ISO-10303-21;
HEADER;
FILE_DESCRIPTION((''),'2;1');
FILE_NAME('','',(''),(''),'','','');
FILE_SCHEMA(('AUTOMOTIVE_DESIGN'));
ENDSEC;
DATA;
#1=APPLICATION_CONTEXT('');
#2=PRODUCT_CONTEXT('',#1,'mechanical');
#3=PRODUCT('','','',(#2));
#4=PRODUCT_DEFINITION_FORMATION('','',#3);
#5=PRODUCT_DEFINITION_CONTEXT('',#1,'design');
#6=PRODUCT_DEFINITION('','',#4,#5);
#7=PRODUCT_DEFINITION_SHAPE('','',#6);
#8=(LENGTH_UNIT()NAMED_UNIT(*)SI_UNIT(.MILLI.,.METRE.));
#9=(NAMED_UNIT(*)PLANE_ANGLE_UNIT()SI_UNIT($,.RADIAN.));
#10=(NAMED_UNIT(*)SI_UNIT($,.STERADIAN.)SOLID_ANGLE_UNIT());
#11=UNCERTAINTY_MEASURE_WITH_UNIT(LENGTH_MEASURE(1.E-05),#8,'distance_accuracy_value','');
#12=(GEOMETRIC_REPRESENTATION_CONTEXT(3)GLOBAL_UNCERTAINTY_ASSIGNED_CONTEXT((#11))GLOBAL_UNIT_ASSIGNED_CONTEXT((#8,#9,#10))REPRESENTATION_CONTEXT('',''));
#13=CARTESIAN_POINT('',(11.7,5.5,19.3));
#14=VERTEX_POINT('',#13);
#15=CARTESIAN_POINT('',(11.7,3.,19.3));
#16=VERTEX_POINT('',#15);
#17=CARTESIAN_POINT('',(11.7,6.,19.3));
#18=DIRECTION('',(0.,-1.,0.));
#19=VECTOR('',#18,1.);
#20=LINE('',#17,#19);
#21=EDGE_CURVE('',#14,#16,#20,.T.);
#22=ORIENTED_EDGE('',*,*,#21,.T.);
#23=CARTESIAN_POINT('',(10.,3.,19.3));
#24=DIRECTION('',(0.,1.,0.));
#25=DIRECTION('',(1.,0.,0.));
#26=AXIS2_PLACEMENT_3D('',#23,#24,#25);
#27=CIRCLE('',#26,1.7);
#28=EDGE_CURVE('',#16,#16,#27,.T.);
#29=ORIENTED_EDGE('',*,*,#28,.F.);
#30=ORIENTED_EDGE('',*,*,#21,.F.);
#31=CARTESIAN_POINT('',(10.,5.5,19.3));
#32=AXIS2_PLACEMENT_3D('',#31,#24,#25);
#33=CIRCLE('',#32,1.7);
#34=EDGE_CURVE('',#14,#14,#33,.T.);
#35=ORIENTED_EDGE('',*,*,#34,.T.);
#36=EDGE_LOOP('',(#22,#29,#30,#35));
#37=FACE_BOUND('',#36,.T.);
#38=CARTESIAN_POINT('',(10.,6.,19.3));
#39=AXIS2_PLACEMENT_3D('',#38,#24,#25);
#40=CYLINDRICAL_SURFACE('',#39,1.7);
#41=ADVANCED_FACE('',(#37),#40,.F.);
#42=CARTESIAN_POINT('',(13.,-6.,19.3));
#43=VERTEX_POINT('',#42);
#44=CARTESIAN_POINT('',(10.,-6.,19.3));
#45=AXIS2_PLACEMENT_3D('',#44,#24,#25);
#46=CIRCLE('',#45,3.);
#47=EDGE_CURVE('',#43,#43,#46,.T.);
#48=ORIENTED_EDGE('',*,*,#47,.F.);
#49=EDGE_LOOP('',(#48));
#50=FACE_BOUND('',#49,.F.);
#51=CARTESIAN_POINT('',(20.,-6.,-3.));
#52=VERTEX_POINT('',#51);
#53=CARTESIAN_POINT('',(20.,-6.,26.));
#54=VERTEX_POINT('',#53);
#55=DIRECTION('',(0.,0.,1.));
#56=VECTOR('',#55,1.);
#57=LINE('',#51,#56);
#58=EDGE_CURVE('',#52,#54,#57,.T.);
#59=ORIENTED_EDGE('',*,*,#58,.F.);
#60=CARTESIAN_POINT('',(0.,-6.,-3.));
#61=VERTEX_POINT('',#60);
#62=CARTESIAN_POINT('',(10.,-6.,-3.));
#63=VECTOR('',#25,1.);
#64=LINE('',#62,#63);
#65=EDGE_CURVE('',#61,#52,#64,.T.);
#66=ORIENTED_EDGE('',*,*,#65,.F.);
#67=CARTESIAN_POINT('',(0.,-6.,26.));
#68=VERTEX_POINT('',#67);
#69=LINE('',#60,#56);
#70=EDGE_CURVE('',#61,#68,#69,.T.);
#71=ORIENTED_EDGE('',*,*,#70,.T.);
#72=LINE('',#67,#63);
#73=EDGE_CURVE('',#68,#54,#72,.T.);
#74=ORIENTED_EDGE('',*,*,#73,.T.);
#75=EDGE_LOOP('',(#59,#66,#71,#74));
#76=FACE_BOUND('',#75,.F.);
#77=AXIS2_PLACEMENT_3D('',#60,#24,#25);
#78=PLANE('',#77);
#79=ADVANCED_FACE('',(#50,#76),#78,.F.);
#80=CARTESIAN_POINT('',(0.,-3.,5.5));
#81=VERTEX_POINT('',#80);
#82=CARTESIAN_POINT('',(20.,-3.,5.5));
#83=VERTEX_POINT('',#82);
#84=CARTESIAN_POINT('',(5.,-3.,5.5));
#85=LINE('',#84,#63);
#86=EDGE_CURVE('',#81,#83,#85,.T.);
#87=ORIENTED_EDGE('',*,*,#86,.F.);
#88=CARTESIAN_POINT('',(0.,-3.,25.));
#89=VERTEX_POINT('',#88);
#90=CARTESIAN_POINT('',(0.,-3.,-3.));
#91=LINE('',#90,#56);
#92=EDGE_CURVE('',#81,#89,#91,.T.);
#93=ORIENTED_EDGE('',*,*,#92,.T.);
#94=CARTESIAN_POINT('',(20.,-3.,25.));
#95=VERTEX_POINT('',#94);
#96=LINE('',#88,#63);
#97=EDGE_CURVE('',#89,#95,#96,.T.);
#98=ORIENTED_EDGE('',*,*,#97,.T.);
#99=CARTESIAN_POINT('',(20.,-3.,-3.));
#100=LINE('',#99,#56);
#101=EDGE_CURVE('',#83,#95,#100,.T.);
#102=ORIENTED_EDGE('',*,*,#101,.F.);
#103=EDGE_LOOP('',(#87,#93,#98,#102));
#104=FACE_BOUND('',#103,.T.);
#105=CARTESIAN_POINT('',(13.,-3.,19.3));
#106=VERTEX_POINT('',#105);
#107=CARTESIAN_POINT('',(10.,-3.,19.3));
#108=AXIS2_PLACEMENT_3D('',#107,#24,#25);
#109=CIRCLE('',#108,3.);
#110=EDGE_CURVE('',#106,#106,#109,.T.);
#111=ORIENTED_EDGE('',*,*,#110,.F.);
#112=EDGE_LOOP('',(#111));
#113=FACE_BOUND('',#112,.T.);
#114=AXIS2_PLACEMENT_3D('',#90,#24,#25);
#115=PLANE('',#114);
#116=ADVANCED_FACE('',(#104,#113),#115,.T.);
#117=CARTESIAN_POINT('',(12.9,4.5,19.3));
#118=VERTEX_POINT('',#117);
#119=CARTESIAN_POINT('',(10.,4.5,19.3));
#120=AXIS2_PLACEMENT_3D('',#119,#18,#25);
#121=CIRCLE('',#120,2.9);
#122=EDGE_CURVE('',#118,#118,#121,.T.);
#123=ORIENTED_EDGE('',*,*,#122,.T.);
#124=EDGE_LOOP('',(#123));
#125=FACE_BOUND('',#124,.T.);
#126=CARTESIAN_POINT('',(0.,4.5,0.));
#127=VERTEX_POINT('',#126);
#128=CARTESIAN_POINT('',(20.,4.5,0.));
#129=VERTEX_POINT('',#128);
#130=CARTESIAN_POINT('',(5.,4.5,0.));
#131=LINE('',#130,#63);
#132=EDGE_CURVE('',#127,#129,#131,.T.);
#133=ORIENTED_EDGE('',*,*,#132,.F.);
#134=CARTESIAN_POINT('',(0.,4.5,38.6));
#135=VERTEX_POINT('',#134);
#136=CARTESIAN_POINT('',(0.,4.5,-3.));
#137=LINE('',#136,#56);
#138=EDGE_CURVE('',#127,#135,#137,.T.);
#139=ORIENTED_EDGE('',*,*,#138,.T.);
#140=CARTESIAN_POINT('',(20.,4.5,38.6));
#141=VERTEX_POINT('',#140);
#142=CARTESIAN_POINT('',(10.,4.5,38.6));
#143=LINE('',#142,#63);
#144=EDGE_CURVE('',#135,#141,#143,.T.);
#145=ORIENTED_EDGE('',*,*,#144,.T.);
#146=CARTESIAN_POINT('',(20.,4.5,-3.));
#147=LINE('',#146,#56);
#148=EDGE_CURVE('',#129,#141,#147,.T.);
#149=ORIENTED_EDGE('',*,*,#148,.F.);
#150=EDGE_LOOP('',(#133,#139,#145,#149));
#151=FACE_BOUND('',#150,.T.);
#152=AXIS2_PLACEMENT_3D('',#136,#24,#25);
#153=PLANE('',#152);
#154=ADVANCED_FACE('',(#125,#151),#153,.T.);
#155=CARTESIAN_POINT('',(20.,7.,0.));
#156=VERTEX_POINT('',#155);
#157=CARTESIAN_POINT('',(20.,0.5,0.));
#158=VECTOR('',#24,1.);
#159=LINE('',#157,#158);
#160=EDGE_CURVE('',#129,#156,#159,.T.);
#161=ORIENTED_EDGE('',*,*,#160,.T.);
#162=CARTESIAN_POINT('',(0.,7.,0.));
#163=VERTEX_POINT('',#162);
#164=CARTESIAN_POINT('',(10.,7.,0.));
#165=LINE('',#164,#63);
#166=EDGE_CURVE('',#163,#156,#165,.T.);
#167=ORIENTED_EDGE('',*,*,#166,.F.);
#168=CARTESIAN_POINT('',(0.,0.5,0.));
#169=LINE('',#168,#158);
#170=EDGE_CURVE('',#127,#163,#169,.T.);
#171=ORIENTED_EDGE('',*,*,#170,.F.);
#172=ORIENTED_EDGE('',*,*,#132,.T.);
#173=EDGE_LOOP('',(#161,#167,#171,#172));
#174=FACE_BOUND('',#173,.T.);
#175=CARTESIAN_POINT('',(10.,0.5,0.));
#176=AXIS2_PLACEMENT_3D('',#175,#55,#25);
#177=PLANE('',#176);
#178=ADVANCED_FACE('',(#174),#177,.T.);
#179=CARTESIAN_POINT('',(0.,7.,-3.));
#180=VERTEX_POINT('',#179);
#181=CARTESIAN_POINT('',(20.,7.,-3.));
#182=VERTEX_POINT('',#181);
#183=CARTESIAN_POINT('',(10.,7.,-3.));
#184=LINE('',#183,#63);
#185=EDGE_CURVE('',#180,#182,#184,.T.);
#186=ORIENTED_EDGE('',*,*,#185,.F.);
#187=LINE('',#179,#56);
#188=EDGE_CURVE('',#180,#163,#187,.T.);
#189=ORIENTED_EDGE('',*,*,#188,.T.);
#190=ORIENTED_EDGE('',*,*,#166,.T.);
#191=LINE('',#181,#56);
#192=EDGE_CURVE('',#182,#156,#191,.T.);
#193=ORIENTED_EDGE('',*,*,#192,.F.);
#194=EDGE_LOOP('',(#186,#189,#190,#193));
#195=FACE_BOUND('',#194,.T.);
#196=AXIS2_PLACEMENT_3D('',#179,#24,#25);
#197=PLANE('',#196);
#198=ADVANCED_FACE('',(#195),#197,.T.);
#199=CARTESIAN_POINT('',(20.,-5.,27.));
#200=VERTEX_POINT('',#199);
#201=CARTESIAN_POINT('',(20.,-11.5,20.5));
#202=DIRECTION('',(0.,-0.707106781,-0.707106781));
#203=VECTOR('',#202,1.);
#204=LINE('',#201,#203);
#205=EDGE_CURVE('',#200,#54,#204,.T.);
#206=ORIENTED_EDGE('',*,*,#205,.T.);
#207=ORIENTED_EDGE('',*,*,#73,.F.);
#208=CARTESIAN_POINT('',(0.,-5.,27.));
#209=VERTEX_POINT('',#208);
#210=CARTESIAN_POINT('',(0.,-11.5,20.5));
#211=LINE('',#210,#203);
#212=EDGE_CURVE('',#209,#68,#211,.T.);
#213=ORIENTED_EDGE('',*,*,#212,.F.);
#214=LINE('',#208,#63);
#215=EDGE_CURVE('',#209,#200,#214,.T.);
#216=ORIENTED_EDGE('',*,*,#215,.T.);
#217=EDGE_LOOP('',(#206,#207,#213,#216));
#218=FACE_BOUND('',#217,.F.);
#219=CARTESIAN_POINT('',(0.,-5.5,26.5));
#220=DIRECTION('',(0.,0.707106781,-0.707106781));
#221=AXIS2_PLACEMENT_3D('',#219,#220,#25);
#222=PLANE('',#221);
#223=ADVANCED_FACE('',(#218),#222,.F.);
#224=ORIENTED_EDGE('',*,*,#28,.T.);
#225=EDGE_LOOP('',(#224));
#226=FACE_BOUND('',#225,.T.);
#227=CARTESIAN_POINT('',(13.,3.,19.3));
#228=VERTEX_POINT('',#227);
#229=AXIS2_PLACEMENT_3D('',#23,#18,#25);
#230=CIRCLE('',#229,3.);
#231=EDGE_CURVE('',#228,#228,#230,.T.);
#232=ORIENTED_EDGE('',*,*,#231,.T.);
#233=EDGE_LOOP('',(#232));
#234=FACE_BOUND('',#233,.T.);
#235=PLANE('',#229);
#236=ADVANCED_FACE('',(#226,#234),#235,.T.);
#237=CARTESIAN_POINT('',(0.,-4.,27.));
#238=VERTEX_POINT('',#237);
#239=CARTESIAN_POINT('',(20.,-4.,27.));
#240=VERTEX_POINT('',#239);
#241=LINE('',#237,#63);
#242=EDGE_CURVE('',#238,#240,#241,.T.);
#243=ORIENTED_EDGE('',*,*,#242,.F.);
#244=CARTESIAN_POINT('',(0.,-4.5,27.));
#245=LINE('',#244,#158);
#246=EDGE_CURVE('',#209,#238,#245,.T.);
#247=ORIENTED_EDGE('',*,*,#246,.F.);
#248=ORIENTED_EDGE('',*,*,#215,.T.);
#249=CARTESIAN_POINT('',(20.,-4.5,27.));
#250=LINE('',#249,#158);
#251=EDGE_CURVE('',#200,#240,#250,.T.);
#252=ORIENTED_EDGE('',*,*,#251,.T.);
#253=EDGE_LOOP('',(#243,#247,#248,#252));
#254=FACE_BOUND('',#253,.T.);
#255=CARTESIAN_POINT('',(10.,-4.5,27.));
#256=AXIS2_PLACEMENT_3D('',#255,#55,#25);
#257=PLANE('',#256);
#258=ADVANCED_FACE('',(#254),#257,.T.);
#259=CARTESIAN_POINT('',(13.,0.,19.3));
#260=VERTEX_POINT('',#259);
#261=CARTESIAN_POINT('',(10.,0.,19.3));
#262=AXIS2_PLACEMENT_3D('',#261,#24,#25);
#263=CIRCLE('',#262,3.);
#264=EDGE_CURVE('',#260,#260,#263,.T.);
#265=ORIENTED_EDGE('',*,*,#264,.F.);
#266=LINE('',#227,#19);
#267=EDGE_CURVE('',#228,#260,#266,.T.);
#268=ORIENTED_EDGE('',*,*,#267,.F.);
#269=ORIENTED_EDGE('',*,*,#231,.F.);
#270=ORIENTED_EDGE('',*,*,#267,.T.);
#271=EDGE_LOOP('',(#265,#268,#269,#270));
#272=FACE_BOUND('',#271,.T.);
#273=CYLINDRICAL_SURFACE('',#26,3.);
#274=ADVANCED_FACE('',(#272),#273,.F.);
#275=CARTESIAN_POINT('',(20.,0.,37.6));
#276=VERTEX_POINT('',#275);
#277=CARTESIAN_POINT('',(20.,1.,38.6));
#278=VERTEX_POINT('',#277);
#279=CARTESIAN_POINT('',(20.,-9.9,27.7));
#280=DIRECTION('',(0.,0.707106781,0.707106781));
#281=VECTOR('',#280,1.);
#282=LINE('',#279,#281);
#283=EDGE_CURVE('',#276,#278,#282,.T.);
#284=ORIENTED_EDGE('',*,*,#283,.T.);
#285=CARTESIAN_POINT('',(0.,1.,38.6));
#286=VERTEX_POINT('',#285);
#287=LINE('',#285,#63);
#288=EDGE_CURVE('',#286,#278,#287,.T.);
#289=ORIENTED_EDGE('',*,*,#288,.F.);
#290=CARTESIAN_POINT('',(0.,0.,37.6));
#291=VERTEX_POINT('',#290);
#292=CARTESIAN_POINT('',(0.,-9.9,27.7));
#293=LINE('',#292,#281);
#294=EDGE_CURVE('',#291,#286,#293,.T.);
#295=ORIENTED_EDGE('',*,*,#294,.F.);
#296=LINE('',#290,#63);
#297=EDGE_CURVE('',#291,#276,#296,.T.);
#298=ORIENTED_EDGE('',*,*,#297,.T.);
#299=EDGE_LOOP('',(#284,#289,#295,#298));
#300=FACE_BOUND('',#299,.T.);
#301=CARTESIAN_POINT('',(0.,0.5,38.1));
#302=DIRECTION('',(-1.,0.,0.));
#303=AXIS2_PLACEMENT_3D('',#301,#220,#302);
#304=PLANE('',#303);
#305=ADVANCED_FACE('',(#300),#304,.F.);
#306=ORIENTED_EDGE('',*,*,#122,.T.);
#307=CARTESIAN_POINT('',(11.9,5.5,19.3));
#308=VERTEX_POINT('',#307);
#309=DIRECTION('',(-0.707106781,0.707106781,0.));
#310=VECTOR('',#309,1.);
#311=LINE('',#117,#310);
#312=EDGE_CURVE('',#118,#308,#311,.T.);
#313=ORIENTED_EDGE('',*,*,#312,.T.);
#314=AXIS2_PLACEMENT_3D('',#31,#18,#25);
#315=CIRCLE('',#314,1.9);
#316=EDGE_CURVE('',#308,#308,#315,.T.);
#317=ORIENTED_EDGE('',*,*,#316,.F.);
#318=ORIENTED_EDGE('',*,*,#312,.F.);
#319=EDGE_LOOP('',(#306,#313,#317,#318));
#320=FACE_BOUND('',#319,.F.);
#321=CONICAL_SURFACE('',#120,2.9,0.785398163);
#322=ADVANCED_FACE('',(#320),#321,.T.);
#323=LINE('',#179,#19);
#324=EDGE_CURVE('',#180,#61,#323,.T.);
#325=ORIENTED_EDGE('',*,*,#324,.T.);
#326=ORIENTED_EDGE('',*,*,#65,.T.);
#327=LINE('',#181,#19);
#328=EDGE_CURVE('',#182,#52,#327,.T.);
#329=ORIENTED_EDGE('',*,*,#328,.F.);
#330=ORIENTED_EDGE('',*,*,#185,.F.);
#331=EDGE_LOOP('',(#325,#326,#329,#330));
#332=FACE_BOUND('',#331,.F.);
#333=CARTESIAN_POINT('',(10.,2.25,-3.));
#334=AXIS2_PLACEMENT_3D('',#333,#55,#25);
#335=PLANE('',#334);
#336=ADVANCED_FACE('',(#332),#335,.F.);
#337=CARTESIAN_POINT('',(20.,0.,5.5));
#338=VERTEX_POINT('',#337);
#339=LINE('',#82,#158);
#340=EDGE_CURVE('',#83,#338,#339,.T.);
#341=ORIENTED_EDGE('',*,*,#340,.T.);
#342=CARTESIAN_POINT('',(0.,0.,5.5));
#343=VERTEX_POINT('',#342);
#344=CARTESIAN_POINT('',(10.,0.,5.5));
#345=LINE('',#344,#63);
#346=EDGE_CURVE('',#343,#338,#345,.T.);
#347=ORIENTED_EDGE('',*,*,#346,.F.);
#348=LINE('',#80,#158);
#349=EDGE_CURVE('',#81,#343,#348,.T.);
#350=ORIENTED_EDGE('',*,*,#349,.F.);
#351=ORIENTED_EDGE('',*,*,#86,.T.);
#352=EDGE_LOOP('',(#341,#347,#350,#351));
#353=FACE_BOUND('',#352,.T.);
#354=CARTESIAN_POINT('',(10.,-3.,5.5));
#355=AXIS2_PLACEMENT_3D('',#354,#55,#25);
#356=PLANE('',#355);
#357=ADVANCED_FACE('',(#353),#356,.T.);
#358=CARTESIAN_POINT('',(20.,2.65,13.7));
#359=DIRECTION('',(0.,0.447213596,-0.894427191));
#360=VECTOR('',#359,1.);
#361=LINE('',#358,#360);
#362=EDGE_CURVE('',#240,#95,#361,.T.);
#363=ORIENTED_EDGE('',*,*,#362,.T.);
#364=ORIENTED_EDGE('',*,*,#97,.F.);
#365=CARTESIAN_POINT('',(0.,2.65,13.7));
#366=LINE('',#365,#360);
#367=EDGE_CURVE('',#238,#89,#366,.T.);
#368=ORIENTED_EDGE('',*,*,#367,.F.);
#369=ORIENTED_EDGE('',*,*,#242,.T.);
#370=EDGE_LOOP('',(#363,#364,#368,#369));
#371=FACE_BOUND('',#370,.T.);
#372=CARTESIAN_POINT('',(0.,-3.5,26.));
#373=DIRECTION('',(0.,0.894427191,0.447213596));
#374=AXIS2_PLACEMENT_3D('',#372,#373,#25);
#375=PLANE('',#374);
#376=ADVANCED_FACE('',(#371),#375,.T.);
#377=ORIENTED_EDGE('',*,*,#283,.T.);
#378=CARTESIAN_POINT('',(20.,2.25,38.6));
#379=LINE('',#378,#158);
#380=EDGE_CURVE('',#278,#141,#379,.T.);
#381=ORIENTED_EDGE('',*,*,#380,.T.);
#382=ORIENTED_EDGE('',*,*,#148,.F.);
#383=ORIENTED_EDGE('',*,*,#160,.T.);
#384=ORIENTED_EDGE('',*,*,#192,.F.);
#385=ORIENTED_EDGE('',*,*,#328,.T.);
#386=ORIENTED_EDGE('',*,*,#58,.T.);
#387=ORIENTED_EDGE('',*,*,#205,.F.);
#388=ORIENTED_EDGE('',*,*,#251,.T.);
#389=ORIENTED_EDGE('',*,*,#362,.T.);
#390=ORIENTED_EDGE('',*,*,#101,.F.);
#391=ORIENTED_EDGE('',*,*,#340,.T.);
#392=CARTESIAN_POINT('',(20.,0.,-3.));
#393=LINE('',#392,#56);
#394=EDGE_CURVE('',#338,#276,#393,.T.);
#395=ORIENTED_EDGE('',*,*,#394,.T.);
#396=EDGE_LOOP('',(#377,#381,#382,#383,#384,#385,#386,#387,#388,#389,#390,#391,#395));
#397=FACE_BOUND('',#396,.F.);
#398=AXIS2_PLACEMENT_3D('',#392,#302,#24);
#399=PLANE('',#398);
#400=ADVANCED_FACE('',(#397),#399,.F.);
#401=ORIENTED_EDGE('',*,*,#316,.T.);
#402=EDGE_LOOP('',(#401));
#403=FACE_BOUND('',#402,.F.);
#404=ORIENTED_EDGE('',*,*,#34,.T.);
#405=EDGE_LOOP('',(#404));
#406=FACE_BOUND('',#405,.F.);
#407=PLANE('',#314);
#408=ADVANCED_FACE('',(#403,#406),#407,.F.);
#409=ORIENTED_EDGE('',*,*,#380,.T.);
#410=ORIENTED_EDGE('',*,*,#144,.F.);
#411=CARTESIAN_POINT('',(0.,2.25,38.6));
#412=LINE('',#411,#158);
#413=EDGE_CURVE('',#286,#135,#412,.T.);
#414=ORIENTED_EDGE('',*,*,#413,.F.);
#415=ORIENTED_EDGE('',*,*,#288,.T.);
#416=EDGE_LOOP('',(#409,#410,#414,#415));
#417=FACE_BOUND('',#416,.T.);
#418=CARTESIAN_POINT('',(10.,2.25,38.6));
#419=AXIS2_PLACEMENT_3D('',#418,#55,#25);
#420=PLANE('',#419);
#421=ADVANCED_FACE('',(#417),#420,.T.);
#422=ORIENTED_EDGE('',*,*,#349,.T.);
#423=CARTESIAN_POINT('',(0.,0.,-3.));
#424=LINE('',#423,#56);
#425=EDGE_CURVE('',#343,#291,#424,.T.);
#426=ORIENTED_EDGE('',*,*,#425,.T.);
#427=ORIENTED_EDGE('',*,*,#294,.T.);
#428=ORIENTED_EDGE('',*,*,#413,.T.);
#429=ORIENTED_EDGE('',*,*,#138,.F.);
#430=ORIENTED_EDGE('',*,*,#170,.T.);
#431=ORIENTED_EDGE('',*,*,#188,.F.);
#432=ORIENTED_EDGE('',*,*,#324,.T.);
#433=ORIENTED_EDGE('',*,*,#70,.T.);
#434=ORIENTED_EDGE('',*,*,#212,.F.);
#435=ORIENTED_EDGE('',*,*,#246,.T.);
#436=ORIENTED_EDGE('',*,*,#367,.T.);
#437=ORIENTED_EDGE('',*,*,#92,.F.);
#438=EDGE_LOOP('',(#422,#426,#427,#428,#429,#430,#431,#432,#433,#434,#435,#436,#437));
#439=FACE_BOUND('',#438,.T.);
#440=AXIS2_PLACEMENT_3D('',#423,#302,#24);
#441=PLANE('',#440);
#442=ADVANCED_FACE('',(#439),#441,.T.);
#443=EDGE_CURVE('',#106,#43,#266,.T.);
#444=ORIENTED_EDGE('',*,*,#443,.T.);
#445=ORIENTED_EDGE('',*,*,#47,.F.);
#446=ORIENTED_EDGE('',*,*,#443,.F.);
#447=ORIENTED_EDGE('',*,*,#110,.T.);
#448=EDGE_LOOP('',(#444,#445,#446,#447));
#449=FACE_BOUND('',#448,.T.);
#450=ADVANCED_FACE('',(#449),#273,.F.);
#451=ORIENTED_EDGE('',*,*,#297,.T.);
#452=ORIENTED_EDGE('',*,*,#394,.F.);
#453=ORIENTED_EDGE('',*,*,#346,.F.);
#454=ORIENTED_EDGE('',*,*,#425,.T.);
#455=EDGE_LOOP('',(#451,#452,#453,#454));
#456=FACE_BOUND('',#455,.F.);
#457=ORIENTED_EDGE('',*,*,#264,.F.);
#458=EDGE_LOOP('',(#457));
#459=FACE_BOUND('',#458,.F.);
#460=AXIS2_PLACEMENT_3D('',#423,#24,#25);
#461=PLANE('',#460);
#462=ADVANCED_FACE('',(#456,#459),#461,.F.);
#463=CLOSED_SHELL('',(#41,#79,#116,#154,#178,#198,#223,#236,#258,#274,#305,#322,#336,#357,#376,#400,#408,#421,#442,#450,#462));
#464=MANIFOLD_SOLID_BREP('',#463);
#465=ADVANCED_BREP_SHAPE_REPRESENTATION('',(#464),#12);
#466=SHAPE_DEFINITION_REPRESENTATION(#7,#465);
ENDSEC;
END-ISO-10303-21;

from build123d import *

# Parameters (mm, degrees)
CYLINDER009_R     = 3
CYLINDER009_DEPTH = 17
CYLINDER010_R     = 1.7
CYLINDER010_DEPTH = 17
CYLINDER011_R     = 2.9
CYLINDER011_DEPTH = 2
CHAMFER015_SIZE   = 1
BOX018_W          = 20
BOX018_H          = 6
BOX018_DEPTH      = 8.5
BOX017_W          = 20
BOX017_H          = 4.5
BOX017_DEPTH      = 41.6
BOX020_W          = 20
BOX020_H          = 13
BOX020_DEPTH      = 3
BOX019_W          = 20
BOX019_H          = 3
BOX019_DEPTH      = 30
CHAMFER016_SIZE2  = 2
CHAMFER016_SIZE   = 1
CHAMFER017_SIZE   = 1
CHAMFER018_SIZE   = 1


with BuildPart() as cylinder009:
    # Cylinder009 → Cylinder009 (new body)
    with BuildSketch(Plane(origin=(10, 3, 19.3), x_dir=(1, 0, 0), z_dir=(0, -1, 0))):
        Circle(CYLINDER009_R)
    extrude(amount=CYLINDER009_DEPTH)


with BuildPart() as cylinder010:
    # Cylinder010 → Cylinder010 (new body)
    with BuildSketch(Plane(origin=(10, 6, 19.3), x_dir=(1, 0, 0), z_dir=(0, -1, 0))):
        Circle(CYLINDER010_R)
    extrude(amount=CYLINDER010_DEPTH)


with BuildPart() as chamfer015:
    # Cylinder011 → Cylinder011 (new body)
    with BuildSketch(Plane(origin=(10, 5.5, 19.3), x_dir=(1, 0, 0), z_dir=(0, -1, 0))):
        Circle(CYLINDER011_R)
    extrude(amount=CYLINDER011_DEPTH)

    # Chamfer015
    chamfer015_edges = [chamfer015.edges().sort_by_distance(p)[0] for p in [
        (7.1, 5.5, 19.3),
    ]]
    chamfer(chamfer015_edges, length=CHAMFER015_SIZE)


with BuildPart() as cube018:
    # Box018 → Box018 (new body)
    with BuildSketch(Plane(origin=(0, -6, -3), x_dir=(1, 0, 0), z_dir=(0, 0, 1))):
        with Locations((10, 3)):
            Rectangle(BOX018_W, BOX018_H)
    extrude(amount=BOX018_DEPTH)


with BuildPart() as cube017:
    # Box017 → Box017 (new body)
    with BuildSketch(Plane.XY.offset(-3)):
        with Locations((10, 2.25)):
            Rectangle(BOX017_W, BOX017_H)
    extrude(amount=BOX017_DEPTH)


with BuildPart() as cube020:
    # Box020 → Box020 (new body)
    with BuildSketch(Plane(origin=(0, -6, -3), x_dir=(1, 0, 0), z_dir=(0, 0, 1))):
        with Locations((10, 6.5)):
            Rectangle(BOX020_W, BOX020_H)
    extrude(amount=BOX020_DEPTH)


with BuildPart() as clip_side_bottom_corner:
    # Box019 → Box019 (new body)
    with BuildSketch(Plane(origin=(0, -6, -3), x_dir=(1, 0, 0), z_dir=(0, 0, 1))):
        with Locations((10, 1.5)):
            Rectangle(BOX019_W, BOX019_H)
    extrude(amount=BOX019_DEPTH)

    # Fusion008: union Cube018, Cube017, Cube020
    add(cube018.part)
    add(cube017.part)
    add(cube020.part)

    # Chamfer016
    chamfer016_edges = [clip_side_bottom_corner.edges().sort_by_distance(p)[0] for p in [
        (10, -3, 27),
    ]]
    chamfer016_side = clip_side_bottom_corner.faces().sort_by_distance((10, -4.5, 27))[0]
    chamfer(chamfer016_edges, length=CHAMFER016_SIZE, length2=CHAMFER016_SIZE2, reference=chamfer016_side)

    # Chamfer017
    chamfer017_edges = [clip_side_bottom_corner.edges().sort_by_distance(p)[0] for p in [
        (10, 0, 38.6),
    ]]
    chamfer(chamfer017_edges, length=CHAMFER017_SIZE)

    # Fusion009: union Chamfer015
    add(chamfer015.part)

    # Cut008: cut Cylinder010
    add(cylinder010.part, mode=Mode.SUBTRACT)

    # Chamfer018
    chamfer018_edges = [clip_side_bottom_corner.edges().sort_by_distance(p)[0] for p in [
        (10, -6, 27),
    ]]
    chamfer(chamfer018_edges, length=CHAMFER018_SIZE)

    # Cut009: cut Cylinder009
    add(cylinder009.part, mode=Mode.SUBTRACT)


solid = clip_side_bottom_corner.part
